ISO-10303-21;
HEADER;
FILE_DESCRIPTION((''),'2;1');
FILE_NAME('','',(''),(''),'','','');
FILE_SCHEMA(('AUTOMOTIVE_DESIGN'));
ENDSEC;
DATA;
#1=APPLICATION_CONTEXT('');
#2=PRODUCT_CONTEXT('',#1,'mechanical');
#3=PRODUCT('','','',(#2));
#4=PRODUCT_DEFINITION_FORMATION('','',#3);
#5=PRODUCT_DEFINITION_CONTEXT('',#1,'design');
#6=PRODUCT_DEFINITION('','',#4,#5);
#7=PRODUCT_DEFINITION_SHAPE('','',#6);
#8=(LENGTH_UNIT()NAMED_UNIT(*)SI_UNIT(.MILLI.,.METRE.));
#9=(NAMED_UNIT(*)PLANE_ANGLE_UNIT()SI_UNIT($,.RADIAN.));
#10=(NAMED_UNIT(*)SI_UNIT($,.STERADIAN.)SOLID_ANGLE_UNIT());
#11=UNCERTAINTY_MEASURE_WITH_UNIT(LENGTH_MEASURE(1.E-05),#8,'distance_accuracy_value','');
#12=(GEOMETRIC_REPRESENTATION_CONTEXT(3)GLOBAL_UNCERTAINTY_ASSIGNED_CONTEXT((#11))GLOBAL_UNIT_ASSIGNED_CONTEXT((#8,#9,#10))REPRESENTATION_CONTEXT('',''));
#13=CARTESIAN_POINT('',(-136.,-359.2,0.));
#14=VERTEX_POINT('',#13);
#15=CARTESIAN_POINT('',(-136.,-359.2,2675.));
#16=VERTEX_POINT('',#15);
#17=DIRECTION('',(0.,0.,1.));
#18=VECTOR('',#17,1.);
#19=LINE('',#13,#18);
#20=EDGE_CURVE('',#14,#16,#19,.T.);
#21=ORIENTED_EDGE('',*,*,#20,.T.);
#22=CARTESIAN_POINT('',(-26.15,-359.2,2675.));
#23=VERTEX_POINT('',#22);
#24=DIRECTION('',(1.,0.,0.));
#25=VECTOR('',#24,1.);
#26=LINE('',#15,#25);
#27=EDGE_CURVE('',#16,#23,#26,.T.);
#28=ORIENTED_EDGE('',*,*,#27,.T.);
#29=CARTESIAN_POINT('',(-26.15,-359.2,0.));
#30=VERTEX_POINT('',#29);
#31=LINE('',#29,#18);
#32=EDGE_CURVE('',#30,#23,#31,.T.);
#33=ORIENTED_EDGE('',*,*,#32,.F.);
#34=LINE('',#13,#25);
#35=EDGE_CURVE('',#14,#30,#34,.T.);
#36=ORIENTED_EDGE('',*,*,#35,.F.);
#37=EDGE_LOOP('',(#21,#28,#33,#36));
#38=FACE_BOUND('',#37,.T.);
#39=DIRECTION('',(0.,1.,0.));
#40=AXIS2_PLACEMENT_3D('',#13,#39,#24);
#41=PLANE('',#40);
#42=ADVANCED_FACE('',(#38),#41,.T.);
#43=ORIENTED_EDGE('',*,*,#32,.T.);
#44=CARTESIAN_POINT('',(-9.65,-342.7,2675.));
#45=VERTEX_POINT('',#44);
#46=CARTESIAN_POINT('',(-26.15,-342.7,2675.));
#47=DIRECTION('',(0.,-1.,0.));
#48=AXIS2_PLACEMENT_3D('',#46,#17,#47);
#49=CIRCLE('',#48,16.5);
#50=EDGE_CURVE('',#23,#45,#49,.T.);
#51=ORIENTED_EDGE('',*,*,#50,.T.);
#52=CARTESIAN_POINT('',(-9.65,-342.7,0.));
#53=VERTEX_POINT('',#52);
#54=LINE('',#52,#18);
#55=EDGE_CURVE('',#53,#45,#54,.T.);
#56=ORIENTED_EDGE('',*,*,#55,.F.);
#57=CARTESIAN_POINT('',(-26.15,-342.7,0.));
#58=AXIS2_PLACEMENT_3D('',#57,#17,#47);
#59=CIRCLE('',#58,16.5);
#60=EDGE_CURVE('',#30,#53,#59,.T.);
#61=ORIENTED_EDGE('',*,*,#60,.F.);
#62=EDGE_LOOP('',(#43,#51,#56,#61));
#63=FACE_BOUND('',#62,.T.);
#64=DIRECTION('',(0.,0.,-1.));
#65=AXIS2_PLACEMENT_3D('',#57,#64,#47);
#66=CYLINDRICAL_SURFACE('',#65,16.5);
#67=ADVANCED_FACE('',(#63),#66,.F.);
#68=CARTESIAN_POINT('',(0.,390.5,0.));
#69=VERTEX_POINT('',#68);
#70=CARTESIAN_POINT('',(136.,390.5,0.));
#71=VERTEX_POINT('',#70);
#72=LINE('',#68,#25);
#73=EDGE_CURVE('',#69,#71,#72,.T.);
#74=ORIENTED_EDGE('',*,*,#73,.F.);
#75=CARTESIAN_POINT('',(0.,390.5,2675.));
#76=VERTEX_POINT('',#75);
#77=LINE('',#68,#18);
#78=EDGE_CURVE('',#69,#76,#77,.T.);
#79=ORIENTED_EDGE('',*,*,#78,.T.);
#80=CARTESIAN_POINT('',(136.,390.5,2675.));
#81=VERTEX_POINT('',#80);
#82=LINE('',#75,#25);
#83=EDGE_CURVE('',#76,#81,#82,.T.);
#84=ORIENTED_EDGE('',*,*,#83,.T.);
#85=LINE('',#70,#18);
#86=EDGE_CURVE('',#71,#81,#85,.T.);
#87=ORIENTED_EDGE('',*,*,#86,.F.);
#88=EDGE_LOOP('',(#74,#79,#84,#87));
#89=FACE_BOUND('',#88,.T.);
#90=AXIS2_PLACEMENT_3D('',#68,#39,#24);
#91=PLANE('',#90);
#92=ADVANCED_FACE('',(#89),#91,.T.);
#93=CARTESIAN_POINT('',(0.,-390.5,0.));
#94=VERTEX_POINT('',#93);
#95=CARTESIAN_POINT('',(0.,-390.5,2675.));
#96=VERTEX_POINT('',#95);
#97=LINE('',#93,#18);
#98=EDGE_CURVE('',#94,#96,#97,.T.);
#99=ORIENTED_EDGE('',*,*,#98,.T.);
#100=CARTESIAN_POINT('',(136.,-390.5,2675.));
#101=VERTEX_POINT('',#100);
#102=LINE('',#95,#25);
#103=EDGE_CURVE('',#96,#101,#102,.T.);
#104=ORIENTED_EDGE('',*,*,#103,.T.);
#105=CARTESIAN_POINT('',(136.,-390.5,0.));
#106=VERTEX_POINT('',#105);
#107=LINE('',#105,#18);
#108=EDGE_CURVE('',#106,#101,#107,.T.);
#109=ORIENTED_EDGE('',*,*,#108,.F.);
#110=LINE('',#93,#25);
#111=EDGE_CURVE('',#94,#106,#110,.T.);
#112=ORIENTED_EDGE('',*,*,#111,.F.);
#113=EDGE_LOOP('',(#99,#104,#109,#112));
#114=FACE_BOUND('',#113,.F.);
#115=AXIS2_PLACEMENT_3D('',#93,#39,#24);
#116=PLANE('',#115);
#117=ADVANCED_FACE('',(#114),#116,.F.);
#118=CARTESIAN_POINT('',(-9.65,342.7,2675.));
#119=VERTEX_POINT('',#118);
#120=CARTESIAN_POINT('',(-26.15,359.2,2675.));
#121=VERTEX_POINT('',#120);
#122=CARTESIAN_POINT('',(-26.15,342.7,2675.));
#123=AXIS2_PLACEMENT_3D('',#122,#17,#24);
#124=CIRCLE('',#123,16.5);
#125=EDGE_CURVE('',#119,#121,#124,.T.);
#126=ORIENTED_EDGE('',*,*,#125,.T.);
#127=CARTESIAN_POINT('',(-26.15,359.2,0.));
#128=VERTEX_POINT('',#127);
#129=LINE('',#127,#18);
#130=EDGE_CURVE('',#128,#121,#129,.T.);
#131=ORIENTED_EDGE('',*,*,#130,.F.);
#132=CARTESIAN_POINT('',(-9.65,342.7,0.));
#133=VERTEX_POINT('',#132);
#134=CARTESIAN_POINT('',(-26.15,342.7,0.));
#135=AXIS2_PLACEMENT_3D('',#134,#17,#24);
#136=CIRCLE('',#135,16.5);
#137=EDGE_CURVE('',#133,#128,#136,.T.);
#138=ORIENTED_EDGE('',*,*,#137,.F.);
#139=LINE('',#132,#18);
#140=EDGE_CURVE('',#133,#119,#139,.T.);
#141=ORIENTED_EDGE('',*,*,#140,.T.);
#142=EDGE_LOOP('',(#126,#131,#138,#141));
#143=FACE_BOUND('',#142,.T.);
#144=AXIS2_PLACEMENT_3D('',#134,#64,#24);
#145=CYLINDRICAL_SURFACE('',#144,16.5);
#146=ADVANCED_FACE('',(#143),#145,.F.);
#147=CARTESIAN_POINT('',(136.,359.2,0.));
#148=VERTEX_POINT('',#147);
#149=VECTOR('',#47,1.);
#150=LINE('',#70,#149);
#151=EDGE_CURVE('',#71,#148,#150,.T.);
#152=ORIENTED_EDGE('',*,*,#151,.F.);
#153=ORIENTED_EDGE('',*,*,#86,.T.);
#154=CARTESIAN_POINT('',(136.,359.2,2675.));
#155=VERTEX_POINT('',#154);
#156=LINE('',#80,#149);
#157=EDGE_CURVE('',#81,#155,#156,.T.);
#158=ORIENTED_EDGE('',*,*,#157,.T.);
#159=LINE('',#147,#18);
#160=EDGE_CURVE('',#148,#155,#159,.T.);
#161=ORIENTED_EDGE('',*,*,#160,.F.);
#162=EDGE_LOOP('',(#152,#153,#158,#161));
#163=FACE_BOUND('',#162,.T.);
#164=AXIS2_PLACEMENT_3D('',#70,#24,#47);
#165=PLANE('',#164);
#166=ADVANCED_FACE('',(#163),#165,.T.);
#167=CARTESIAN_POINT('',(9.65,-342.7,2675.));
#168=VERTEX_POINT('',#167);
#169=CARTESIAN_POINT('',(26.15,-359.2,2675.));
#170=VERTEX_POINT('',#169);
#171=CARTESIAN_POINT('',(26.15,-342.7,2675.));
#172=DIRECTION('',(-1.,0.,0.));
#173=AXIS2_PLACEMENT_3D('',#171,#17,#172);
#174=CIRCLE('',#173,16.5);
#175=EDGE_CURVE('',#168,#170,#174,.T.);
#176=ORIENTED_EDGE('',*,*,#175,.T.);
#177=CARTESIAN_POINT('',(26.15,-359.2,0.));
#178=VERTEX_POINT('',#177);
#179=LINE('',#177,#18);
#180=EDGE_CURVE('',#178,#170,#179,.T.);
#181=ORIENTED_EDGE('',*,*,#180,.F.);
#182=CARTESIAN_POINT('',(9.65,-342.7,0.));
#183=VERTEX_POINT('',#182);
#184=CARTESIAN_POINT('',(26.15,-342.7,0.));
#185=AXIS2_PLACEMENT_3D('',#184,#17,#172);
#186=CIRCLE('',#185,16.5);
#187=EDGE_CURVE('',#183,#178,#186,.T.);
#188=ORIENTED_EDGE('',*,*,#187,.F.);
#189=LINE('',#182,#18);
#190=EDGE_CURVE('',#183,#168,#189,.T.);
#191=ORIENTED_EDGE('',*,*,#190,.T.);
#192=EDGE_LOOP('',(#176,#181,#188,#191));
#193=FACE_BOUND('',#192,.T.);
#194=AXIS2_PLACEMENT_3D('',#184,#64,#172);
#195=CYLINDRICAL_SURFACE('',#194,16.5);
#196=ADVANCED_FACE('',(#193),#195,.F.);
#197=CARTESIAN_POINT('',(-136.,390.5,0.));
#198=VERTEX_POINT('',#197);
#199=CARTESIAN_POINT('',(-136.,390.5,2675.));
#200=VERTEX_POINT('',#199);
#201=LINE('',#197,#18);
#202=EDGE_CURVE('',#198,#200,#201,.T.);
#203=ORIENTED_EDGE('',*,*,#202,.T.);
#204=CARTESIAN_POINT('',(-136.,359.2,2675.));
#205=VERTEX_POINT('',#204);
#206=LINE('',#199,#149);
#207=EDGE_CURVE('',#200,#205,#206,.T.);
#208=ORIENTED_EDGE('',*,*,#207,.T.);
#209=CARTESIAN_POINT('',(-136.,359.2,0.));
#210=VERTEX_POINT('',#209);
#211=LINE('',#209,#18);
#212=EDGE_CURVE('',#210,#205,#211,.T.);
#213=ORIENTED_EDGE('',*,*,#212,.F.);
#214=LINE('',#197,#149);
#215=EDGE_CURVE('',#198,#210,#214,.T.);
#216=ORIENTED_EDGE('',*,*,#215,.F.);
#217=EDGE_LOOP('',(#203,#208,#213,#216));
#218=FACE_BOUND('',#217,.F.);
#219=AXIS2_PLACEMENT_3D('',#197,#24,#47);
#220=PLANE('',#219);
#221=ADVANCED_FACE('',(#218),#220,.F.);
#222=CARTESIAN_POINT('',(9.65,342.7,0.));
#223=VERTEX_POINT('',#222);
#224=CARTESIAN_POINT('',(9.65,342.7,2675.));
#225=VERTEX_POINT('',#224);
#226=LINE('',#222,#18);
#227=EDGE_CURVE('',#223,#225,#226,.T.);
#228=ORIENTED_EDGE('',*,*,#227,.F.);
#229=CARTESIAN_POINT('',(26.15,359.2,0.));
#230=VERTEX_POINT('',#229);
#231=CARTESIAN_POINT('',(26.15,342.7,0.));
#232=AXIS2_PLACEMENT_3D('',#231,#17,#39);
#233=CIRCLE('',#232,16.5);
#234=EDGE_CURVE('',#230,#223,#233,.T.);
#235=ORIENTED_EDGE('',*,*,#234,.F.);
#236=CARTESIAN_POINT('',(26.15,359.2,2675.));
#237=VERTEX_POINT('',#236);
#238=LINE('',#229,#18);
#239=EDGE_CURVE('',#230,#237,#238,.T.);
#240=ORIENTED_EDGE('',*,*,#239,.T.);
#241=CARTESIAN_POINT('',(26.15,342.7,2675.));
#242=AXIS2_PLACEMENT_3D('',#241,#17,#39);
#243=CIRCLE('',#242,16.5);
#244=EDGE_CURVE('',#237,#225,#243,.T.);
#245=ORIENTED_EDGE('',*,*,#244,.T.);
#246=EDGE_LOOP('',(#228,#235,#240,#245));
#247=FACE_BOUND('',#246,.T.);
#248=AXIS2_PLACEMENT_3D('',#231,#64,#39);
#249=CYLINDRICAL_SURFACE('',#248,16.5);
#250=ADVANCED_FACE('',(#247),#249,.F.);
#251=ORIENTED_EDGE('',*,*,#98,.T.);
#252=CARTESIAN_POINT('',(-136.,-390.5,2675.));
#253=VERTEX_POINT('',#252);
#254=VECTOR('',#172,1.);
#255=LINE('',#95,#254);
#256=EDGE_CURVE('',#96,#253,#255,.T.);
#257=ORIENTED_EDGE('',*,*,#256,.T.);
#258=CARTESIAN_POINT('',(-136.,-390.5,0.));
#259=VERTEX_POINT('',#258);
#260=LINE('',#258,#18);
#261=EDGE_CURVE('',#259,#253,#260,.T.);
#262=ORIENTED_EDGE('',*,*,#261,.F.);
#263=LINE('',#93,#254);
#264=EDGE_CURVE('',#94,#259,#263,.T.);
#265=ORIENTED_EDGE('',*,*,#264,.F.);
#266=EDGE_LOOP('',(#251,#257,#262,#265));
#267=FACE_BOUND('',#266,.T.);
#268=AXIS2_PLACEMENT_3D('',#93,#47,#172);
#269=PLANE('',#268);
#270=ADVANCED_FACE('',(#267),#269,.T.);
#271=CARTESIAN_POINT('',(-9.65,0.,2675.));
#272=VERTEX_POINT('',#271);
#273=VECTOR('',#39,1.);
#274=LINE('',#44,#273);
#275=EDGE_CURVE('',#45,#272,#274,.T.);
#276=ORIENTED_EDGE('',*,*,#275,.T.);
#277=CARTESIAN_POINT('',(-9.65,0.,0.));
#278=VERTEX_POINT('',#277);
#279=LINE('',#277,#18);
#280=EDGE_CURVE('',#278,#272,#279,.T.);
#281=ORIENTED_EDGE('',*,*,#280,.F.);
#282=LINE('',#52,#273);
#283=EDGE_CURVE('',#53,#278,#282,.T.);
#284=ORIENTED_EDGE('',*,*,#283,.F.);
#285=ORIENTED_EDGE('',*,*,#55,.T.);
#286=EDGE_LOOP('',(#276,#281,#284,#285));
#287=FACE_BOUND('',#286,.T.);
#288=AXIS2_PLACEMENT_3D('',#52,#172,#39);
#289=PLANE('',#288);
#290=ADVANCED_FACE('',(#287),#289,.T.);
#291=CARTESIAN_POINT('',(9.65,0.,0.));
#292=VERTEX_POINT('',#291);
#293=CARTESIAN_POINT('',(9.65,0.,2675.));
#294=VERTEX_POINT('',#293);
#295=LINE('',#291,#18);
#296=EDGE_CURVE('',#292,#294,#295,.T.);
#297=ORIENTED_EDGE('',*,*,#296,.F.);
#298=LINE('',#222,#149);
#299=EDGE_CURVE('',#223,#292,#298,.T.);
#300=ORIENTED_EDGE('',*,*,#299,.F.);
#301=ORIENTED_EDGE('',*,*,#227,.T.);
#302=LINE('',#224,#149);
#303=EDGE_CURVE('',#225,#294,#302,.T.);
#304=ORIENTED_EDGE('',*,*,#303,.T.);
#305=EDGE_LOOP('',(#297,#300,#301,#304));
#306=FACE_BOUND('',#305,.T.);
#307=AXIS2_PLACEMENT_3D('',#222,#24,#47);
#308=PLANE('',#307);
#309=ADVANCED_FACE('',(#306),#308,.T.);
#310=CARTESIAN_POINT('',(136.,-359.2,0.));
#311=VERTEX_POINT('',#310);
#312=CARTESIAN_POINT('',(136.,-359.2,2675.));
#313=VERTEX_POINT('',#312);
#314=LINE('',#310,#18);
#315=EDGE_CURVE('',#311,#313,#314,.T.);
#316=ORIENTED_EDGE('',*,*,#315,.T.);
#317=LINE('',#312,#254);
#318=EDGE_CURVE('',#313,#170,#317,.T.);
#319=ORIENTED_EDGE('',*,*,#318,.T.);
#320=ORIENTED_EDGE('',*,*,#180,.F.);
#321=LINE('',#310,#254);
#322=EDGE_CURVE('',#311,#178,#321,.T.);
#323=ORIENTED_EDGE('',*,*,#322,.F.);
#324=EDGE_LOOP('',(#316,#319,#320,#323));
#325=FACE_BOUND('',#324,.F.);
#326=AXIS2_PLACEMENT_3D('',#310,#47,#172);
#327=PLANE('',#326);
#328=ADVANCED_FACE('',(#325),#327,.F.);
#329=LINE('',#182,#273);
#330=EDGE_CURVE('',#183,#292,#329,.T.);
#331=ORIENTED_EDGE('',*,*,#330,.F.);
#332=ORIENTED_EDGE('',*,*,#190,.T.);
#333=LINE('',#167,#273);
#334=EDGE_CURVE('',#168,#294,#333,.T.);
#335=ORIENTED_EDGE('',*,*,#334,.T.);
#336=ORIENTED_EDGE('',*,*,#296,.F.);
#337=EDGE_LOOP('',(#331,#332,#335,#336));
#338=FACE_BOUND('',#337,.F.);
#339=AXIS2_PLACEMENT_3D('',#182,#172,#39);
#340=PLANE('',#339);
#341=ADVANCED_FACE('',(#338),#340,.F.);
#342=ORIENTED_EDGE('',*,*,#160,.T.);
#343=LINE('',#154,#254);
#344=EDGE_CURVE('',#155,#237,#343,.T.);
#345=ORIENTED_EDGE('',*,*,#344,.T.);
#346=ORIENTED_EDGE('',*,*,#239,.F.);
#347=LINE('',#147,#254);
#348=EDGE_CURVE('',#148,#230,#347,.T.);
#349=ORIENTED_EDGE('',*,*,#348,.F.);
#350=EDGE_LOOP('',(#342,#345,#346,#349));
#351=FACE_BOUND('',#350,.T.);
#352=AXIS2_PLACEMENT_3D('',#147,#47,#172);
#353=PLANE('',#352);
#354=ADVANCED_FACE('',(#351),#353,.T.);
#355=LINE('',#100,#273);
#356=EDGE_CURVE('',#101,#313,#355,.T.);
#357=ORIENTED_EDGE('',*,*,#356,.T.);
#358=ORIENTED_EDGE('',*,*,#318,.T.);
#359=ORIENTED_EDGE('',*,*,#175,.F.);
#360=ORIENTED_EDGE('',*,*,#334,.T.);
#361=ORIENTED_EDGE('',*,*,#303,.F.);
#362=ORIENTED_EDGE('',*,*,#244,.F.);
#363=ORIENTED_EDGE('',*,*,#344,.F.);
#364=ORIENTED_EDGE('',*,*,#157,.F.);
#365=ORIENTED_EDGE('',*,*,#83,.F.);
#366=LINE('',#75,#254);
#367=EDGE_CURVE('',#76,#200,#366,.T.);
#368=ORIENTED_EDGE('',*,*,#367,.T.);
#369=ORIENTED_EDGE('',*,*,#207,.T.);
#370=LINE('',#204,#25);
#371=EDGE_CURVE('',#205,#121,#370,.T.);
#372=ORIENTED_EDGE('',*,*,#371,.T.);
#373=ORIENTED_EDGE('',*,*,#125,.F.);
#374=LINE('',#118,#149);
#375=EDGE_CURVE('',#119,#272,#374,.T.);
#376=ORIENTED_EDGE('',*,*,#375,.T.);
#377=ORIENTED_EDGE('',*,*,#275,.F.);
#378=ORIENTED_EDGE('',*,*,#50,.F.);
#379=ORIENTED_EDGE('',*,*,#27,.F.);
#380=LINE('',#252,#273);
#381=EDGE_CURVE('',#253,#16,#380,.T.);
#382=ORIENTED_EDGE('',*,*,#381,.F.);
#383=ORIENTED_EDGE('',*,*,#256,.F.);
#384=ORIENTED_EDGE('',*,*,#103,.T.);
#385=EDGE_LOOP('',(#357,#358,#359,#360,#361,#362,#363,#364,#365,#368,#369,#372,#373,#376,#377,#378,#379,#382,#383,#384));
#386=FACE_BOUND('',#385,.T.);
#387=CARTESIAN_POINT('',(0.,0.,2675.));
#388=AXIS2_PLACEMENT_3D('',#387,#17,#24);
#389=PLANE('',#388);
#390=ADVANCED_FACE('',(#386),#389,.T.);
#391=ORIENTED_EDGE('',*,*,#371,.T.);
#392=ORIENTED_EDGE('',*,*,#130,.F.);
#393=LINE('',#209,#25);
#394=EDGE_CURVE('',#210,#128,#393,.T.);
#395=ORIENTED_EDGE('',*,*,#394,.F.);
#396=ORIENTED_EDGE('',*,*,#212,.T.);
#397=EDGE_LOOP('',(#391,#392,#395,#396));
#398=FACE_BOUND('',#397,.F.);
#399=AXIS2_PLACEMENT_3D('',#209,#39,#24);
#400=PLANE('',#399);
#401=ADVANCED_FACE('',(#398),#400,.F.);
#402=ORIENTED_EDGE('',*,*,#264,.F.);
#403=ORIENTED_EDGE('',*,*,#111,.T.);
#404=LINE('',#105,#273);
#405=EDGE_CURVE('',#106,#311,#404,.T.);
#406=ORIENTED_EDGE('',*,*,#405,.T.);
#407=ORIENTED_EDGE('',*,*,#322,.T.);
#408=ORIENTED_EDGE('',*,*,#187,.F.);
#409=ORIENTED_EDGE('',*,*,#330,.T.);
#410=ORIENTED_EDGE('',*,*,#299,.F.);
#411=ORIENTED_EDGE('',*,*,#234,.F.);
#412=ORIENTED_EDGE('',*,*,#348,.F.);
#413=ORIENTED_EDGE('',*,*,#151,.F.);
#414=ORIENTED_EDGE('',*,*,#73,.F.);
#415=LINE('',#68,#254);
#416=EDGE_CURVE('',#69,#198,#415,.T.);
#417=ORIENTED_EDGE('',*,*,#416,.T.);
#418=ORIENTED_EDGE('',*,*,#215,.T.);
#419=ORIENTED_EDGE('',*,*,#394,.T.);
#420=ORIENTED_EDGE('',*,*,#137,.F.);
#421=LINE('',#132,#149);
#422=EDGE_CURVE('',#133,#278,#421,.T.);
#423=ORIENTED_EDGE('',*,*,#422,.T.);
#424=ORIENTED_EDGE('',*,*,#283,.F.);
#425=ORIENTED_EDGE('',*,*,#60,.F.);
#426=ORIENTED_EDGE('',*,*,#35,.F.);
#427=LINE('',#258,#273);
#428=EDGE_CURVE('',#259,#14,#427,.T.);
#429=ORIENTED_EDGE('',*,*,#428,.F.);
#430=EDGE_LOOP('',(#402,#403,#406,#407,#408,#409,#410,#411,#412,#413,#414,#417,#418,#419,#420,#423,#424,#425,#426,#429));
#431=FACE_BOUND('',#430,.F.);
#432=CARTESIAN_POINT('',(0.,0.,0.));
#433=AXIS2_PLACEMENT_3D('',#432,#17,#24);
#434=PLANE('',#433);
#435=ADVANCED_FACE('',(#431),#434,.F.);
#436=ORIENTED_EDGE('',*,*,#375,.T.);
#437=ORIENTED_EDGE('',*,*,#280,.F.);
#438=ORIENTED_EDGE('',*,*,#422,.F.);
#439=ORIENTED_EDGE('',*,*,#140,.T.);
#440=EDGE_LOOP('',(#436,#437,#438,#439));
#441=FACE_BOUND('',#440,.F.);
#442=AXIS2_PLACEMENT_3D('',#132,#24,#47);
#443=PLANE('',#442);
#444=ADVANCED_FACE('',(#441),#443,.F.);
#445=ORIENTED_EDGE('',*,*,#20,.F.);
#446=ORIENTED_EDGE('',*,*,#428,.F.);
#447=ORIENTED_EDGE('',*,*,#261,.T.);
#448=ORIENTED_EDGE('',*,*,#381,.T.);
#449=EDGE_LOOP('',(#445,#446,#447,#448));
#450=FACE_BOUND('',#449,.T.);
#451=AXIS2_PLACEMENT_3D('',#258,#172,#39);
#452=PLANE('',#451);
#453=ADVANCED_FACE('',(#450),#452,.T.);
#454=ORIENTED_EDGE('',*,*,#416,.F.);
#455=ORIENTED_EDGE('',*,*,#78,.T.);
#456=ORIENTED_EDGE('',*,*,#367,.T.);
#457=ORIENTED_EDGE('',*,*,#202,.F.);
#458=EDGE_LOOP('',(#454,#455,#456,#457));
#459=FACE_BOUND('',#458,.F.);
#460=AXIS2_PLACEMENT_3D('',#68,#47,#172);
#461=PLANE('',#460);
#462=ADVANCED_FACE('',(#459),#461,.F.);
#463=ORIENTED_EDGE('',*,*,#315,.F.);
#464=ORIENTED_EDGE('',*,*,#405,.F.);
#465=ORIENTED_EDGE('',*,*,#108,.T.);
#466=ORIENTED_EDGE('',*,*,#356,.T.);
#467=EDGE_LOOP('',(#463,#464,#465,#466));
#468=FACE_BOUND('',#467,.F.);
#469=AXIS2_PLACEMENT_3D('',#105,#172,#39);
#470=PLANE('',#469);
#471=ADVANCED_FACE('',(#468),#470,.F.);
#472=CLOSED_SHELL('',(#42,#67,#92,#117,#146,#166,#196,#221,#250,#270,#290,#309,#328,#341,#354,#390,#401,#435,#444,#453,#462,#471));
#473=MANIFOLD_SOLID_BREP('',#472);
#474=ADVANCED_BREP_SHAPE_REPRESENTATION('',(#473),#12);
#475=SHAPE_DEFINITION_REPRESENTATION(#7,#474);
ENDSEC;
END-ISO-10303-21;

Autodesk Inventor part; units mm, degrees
ref_plane "YZ Plane" through (0, 0, 0) normal (1, 0, 0) x (0, 1, 0)
ref_plane "Start plane" through (0, 0, 0) normal (0, 0, 1) x (1, 0, 0)
ref_plane "End plane" through (0, 0, 2675) normal (0, 0, 1) x (1, 0, 0)
sketch "Sketch" plane through (0, 0, 0) normal (0, 0, 1) x (1, 0, 0)
  line L0 (-136, -390.5) -> (-136, -359.2)
  line L1 (-136, -359.2) -> (-26.15, -359.2)
  line L2 (-9.65, -342.7) -> (-9.65, 0)
  line L3 (-9.65, 0) -> (0, 0) construction
  line L4 (0, 0) -> (0, -390.5) construction
  line L5 (0, -390.5) -> (-136, -390.5)
  line L6 (-60, 0) -> (80, 0) construction
  line L7 (0, -60) -> (0, 80) construction
  line L8 (136, -390.5) -> (136, -359.2)
  line L9 (136, -359.2) -> (26.15, -359.2)
  line L10 (9.65, -342.7) -> (9.65, 0)
  line L11 (9.65, 0) -> (0, 0) construction
  line L12 (0, -390.5) -> (136, -390.5)
  line L13 (-136, 390.5) -> (-136, 359.2)
  line L14 (-136, 359.2) -> (-26.15, 359.2)
  line L15 (-9.65, 342.7) -> (-9.65, 0)
  line L16 (0, 390.5) -> (-136, 390.5)
  line L17 (136, 390.5) -> (136, 359.2)
  line L18 (136, 359.2) -> (26.15, 359.2)
  line L19 (0, 390.5) -> (136, 390.5)
  line L20 (9.65, 342.7) -> (9.65, 0)
  arc A0 (-9.65, 342.7) -> (-26.15, 359.2) centre (-26.15, 342.7) ccw
  arc A1 (26.15, 359.2) -> (9.65, 342.7) centre (26.15, 342.7) ccw
  arc A2 (9.65, -342.7) -> (26.15, -359.2) centre (26.15, -342.7) ccw
  arc A3 (-26.15, -359.2) -> (-9.65, -342.7) centre (-26.15, -342.7) ccw
  line L21 (0, 108) -> (0, -88) construction
  line L22 (-88, 0) -> (108, 0) construction
  point P0 (-9.65, -359.2)
  point P1 (9.65, -359.2)
  point P2 (-9.65, 359.2)
  point P3 (9.65, 359.2)
  dimension "d1" = 390.5
  dimension "d2" = 31.3
  dimension "d3" = 136
  dimension "d4" = 9.65
  dimension "d10" = 16.5
extrude "Body" add sketch "Sketch" along normal up to surface (2675 mm away) from surface at 0
sketch "Sketch4" plane through (0, 0, 0) normal (0, 0, 1) x (1, 0, 0)
  line L0 (0, 0) -> (10, 0)
ref_plane "Work Plane3" through (0, 0, 0) normal (0, -1, 0) x (1, 0, 0)
sketch "Sketch5" plane through (0, 0, 0) normal (0, -1, 0) x (1, 0, 0)
  line L0 (-2, 0) -> (12, 0) projected
  line L1 (-2, 2675) -> (12, 2675) projected
  dimension "d14" = 2675
equation "\"d1\" = 0.5 * G_H"
equation "\"d2\" = G_T1"
equation "\"d3\" = 0.5 * G_W"
equation "\"d4\" = 0.5 * G_T"
equation "\"d10\" = G_IR"
equation "\"d5\" = G_L"
equation "\"G_W\" = 272"
equation "\"G_H\" = 781"
equation "\"G_T\" = 19.3"
equation "\"G_T1\" = 31.3"
equation "\"G_IR\" = 16.5"
equation "\"G_L\" = d14"
equation "\"G_OFFSET_START\" = 0"
equation "\"G_OFFSET_END\" = 0"
equation "\"d12\" = G_OFFSET_END + B_L"
equation "\"B_L\" = 2675"
properties part number "AS 3679-1990 - 760 UB - 244 - 2675" material "Steel, Mild"
